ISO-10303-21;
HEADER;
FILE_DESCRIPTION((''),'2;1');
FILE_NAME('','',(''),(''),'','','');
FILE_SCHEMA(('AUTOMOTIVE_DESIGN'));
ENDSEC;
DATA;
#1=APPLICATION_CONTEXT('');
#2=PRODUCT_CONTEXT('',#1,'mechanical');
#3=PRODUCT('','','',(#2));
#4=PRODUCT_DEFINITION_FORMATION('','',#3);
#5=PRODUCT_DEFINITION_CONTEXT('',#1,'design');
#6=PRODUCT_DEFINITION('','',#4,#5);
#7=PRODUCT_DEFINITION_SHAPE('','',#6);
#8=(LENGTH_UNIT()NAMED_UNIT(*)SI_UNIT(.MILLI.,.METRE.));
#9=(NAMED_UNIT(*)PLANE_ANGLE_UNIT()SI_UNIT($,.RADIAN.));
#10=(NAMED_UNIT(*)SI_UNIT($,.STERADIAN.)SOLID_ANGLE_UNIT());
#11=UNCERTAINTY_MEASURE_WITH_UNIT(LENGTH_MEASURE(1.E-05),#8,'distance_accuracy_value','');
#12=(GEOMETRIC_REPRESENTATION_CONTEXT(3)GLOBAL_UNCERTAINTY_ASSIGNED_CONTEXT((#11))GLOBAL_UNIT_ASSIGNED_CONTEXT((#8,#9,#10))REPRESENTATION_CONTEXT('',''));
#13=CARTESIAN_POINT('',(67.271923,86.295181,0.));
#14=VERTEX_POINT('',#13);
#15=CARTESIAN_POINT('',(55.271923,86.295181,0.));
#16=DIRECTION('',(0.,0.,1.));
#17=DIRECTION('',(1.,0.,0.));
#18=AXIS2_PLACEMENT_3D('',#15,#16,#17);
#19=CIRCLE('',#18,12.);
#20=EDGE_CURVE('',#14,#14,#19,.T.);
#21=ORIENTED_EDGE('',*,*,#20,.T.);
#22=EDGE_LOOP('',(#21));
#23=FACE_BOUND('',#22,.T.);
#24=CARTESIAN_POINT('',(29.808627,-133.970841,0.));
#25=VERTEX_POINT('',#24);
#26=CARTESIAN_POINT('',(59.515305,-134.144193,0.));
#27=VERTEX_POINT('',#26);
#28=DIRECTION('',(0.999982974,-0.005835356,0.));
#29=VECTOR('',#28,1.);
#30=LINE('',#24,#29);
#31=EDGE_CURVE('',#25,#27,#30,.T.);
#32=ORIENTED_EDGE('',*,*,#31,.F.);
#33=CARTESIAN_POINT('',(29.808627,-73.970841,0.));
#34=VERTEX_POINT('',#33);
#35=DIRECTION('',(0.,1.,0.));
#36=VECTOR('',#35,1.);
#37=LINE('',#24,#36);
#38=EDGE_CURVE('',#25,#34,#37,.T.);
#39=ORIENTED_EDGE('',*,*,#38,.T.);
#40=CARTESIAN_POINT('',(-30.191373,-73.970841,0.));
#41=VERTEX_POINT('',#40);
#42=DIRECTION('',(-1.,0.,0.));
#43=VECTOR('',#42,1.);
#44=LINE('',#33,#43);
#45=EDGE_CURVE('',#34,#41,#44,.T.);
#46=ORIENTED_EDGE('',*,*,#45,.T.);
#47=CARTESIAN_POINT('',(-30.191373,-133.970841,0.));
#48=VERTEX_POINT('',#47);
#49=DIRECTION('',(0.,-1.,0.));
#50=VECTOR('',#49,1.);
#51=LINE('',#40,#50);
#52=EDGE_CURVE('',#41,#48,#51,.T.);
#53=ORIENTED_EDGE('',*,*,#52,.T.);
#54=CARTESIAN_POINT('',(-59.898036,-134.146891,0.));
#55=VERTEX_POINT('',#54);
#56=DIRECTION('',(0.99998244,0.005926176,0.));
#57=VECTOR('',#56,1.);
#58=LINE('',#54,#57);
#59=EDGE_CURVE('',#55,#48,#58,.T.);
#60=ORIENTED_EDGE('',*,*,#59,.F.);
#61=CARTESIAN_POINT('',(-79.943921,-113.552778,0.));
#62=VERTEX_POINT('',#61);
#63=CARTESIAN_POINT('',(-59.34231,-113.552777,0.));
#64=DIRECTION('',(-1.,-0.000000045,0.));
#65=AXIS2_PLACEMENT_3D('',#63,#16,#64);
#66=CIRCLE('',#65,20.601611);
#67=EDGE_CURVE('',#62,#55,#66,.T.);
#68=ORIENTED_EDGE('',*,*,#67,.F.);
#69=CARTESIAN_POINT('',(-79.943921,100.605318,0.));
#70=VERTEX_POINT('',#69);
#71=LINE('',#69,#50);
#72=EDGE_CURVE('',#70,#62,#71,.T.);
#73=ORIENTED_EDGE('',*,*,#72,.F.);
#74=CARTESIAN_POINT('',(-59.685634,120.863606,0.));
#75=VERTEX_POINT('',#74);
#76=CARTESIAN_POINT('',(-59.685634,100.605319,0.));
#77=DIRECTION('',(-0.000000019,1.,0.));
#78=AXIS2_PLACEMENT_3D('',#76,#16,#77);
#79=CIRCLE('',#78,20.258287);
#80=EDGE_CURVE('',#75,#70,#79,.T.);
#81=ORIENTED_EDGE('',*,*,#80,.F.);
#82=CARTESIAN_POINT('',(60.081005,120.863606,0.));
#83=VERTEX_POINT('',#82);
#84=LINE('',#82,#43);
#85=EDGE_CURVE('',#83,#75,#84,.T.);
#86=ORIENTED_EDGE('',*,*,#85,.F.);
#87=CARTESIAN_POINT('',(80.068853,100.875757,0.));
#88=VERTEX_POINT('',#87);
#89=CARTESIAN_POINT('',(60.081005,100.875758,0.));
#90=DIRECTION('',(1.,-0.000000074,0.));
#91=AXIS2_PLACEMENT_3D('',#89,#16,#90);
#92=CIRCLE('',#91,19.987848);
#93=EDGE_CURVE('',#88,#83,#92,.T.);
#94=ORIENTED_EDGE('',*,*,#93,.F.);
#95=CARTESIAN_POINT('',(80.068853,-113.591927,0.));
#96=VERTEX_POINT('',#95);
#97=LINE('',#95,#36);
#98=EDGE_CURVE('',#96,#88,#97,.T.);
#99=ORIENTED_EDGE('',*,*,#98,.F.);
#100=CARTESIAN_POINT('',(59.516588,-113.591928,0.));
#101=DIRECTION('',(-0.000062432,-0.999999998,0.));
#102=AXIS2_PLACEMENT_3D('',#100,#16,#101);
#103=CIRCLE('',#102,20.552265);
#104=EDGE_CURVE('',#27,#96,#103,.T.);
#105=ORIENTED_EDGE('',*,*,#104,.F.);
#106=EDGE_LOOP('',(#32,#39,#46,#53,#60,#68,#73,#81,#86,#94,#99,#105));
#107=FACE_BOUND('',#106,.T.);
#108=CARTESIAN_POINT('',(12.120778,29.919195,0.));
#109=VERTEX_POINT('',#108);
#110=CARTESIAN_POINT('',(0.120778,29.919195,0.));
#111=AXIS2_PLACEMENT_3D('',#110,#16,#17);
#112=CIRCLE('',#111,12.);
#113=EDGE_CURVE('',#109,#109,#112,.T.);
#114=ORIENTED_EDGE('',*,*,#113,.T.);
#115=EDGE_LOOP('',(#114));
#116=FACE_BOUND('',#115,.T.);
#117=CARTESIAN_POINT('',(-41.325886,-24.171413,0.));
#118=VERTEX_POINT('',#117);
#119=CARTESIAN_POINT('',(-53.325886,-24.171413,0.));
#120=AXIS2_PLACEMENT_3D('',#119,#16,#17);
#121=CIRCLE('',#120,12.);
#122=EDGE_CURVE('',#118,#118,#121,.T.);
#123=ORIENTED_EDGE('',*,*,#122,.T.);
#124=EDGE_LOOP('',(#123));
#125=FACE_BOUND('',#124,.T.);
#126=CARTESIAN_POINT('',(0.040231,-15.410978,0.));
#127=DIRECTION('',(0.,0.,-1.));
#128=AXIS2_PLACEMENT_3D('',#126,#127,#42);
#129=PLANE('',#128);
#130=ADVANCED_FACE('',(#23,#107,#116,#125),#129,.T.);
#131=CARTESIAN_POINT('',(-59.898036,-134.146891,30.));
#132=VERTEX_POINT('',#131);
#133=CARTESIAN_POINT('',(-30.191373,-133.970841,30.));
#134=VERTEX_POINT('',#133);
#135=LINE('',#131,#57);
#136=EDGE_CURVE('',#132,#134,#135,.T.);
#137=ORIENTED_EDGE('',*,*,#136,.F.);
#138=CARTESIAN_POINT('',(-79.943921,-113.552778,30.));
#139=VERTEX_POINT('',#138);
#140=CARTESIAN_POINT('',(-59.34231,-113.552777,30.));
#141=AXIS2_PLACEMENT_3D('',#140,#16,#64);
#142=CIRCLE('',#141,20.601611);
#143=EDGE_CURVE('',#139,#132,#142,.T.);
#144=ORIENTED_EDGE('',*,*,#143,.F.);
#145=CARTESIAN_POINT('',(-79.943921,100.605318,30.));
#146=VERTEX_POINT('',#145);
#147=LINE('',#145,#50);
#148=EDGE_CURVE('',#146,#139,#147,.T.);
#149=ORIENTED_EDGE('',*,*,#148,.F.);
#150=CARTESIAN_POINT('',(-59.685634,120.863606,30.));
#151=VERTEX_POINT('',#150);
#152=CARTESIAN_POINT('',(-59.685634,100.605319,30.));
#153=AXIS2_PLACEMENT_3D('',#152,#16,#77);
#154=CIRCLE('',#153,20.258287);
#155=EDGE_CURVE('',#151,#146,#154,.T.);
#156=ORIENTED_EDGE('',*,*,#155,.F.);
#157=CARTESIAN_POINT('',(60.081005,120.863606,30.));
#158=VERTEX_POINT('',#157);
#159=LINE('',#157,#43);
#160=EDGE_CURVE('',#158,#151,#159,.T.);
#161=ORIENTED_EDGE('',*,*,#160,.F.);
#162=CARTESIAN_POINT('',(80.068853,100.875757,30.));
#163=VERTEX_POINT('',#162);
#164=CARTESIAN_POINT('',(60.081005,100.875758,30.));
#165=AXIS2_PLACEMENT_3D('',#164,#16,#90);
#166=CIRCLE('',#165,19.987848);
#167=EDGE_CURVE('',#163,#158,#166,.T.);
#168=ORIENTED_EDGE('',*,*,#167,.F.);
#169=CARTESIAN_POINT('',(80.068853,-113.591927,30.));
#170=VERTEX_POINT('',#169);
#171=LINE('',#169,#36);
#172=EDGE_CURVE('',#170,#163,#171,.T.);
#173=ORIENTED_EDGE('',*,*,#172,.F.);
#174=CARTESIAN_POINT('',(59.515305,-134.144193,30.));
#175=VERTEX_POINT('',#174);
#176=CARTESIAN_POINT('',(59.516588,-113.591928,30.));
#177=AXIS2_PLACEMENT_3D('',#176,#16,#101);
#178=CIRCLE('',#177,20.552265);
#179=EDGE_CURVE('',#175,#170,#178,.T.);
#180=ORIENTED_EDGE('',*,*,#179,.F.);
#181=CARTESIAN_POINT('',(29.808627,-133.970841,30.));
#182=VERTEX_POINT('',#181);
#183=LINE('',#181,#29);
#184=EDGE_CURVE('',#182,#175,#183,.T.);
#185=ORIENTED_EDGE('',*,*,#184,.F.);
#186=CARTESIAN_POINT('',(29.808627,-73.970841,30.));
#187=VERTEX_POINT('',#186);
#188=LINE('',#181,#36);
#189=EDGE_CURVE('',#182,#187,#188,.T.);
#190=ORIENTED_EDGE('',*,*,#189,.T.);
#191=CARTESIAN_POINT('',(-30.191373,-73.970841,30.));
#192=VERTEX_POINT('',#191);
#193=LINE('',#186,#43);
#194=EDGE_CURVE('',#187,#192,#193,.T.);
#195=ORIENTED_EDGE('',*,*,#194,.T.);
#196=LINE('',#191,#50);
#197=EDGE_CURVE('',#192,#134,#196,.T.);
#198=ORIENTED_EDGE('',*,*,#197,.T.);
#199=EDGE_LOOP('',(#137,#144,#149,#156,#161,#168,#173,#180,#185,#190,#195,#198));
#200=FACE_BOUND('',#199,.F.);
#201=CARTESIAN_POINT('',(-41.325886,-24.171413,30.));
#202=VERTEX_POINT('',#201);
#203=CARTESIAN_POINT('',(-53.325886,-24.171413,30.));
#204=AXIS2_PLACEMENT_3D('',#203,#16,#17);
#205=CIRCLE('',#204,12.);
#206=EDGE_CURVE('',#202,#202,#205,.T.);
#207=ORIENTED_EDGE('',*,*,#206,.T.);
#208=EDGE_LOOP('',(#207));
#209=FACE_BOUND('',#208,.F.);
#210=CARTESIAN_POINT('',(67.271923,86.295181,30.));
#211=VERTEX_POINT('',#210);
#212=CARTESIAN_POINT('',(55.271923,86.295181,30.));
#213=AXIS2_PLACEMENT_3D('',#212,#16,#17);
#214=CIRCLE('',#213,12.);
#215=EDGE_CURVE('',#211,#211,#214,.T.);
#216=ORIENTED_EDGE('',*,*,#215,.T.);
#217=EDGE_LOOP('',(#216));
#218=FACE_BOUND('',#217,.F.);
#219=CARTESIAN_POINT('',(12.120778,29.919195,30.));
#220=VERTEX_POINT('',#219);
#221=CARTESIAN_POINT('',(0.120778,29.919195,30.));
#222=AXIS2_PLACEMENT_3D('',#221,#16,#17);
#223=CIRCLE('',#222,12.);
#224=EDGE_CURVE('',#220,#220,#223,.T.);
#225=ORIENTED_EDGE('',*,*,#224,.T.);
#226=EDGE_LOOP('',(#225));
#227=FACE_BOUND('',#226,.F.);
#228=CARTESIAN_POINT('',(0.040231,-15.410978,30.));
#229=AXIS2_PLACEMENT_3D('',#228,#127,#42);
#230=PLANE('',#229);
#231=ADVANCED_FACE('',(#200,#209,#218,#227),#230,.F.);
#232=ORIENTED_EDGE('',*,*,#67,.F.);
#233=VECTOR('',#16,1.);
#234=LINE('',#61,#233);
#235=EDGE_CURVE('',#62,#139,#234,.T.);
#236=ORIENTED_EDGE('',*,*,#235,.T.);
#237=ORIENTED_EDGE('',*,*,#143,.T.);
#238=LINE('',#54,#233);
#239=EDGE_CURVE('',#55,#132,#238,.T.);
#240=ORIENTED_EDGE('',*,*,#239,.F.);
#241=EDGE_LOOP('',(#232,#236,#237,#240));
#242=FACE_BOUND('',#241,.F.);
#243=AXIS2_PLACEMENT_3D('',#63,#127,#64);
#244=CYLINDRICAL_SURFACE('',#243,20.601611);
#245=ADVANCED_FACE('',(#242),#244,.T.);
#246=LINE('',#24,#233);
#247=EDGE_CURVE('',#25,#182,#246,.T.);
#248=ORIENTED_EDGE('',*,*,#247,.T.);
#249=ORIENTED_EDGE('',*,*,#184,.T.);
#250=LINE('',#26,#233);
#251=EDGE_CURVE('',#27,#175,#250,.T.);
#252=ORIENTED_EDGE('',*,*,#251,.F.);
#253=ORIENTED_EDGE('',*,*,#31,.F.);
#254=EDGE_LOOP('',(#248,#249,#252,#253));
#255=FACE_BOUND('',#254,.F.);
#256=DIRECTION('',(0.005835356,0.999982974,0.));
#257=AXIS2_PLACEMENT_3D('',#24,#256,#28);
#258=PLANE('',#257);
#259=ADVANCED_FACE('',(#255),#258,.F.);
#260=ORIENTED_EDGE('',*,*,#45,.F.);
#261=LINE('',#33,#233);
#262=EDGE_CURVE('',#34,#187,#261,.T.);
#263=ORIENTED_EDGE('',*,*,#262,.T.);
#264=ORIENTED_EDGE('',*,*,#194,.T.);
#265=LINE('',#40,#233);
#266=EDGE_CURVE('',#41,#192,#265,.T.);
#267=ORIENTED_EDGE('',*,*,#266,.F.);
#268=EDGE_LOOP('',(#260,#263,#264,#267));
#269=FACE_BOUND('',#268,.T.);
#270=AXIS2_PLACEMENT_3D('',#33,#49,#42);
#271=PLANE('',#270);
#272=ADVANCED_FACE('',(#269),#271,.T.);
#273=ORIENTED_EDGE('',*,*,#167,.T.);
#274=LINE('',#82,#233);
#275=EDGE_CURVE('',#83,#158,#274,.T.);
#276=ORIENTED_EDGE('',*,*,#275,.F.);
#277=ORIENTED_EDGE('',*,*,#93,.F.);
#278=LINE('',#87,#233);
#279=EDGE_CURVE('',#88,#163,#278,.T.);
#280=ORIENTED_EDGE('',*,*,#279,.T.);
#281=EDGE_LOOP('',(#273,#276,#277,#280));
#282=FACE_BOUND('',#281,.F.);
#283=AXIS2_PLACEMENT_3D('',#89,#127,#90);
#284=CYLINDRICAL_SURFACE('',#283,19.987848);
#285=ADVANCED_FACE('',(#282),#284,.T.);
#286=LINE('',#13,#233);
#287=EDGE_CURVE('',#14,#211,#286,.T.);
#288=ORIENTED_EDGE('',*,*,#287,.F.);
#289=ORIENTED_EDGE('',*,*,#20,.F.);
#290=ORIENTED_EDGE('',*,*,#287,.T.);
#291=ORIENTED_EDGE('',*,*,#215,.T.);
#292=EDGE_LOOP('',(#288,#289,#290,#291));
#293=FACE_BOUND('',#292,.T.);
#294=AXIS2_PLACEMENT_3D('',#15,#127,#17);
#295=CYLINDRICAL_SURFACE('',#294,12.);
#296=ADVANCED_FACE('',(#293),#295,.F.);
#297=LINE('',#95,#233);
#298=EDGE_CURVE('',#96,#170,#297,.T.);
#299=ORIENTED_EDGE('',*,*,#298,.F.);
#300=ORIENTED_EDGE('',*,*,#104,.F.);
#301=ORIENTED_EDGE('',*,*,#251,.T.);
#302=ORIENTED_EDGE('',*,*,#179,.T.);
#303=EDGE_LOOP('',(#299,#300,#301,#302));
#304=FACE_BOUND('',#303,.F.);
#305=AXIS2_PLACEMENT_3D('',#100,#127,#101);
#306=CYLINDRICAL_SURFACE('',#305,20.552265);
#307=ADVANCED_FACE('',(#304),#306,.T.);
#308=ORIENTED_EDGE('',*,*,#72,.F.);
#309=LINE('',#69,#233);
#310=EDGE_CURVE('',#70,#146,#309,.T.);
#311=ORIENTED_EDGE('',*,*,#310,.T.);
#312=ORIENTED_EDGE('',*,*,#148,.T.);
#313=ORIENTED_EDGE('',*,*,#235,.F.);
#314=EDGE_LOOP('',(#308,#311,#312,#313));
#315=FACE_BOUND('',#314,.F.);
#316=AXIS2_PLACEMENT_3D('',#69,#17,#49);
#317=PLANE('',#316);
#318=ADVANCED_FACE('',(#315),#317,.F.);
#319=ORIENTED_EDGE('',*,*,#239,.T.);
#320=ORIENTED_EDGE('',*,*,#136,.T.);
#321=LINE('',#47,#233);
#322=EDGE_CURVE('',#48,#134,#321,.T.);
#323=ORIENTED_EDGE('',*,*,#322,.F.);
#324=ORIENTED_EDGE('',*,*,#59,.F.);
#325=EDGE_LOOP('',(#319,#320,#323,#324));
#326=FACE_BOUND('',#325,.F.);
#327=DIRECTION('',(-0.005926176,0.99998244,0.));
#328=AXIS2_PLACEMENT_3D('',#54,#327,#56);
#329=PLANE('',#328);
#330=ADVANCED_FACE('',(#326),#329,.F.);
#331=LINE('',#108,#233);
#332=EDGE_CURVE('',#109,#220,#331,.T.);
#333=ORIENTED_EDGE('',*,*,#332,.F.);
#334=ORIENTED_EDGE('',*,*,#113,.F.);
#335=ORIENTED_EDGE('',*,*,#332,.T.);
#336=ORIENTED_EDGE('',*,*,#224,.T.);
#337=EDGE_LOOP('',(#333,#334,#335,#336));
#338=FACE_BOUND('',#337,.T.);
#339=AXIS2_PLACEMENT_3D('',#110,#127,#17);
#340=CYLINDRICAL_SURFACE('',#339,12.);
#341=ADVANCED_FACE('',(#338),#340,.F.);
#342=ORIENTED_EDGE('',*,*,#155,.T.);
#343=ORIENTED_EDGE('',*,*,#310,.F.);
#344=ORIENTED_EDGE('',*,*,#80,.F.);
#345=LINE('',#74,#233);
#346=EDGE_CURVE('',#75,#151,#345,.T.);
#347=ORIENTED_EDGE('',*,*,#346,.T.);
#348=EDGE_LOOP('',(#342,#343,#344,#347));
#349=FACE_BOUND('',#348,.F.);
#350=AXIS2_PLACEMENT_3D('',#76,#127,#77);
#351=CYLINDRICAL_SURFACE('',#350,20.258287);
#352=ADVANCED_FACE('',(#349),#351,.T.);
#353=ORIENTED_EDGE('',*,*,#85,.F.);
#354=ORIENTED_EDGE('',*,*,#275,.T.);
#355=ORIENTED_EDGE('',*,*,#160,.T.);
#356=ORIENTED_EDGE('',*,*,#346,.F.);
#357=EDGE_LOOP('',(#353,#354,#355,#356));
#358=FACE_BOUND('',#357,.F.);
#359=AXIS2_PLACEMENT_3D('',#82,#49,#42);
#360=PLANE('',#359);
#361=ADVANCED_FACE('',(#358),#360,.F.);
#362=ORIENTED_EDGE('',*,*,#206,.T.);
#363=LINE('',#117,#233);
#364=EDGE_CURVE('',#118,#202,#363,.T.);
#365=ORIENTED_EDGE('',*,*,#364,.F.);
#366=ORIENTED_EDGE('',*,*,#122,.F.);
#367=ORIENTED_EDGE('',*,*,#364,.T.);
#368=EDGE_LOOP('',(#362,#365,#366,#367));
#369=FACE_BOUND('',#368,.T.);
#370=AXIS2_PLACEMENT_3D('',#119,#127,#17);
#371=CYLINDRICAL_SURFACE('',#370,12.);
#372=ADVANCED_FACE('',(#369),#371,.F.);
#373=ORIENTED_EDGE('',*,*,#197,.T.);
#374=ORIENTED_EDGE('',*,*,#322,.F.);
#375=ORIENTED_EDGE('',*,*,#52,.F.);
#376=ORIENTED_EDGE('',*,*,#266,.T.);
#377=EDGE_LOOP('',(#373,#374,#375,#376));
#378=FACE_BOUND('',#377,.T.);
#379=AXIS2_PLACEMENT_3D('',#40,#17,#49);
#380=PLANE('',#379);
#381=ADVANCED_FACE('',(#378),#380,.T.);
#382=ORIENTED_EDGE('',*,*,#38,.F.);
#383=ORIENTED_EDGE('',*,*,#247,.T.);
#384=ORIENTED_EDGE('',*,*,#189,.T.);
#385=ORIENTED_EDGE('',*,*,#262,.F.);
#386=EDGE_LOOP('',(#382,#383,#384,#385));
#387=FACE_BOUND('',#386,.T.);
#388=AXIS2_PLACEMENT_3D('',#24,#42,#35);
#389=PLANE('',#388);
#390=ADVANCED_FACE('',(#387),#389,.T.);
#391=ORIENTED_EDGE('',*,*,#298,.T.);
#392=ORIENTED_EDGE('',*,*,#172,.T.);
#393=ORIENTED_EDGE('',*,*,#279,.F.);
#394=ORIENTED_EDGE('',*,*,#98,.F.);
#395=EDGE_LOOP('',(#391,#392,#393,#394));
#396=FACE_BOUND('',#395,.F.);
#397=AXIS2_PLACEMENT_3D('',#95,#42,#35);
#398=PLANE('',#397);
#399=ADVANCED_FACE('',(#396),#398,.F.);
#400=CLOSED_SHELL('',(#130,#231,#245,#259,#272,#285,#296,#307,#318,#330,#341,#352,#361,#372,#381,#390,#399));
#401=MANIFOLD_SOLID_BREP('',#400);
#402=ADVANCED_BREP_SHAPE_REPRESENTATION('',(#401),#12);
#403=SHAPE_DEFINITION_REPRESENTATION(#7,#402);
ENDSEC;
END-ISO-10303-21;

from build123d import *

# Parameters (mm, degrees)
SKETCH_R     = 12
PAD_DEPTH    = 30
PAD001_DEPTH = 30


with BuildPart() as part:
    # Sketch → Pad (new body)
    with BuildSketch(Plane.XY):
        with BuildLine():
            Line((29.808627, -133.970841), (29.808627, -73.970841))
            Line((29.808627, -73.970841), (-30.191373, -73.970841))
            Line((-30.191373, -73.970841), (-30.191373, -133.970841))
            Line((-59.898036, -134.146891), (-30.191373, -133.970841))
            ThreePointArc((-79.943921, -113.552778), (-74.10502, -127.922494), (-59.898036, -134.146891))
            Line((-79.943921, 100.605318), (-79.943921, -113.552778))
            ThreePointArc((-59.685634, 120.863606), (-74.010406, 114.930091), (-79.943921, 100.605318))
            Line((60.081005, 120.863606), (-59.685634, 120.863606))
            ThreePointArc((80.068853, 100.875757), (74.214548, 115.009301), (60.081005, 120.863606))
            Line((80.068853, -113.591927), (80.068853, 100.875757))
            ThreePointArc((59.515305, -134.144193), (74.048781, -128.125027), (80.068853, -113.591927))
            Line((29.808627, -133.970841), (59.515305, -134.144193))
        make_face()
        with Locations((0.120778, 29.919195)):
            Circle(SKETCH_R, mode=Mode.SUBTRACT)
        with Locations((-53.325886, -24.171413)):
            Circle(SKETCH_R, mode=Mode.SUBTRACT)
        with Locations((55.271923, 86.295181)):
            Circle(SKETCH_R, mode=Mode.SUBTRACT)
    extrude(amount=PAD_DEPTH)

    # Sketch → Pad001 (join)
    with BuildSketch(Plane.XY):
        with BuildLine():
            Line((29.808627, -133.970841), (29.808627, -73.970841))
            Line((29.808627, -73.970841), (-30.191373, -73.970841))
            Line((-30.191373, -73.970841), (-30.191373, -133.970841))
            Line((-59.898036, -134.146891), (-30.191373, -133.970841))
            ThreePointArc((-79.943921, -113.552778), (-74.10502, -127.922494), (-59.898036, -134.146891))
            Line((-79.943921, 100.605318), (-79.943921, -113.552778))
            ThreePointArc((-59.685634, 120.863606), (-74.010406, 114.930091), (-79.943921, 100.605318))
            Line((60.081005, 120.863606), (-59.685634, 120.863606))
            ThreePointArc((80.068853, 100.875757), (74.214548, 115.009301), (60.081005, 120.863606))
            Line((80.068853, -113.591927), (80.068853, 100.875757))
            ThreePointArc((59.515305, -134.144193), (74.048781, -128.125027), (80.068853, -113.591927))
            Line((29.808627, -133.970841), (59.515305, -134.144193))
        make_face()
        with Locations((0.120778, 29.919195)):
            Circle(SKETCH_R, mode=Mode.SUBTRACT)
        with Locations((-53.325886, -24.171413)):
            Circle(SKETCH_R, mode=Mode.SUBTRACT)
        with Locations((55.271923, 86.295181)):
            Circle(SKETCH_R, mode=Mode.SUBTRACT)
    extrude(amount=PAD001_DEPTH)


solid = part.part
